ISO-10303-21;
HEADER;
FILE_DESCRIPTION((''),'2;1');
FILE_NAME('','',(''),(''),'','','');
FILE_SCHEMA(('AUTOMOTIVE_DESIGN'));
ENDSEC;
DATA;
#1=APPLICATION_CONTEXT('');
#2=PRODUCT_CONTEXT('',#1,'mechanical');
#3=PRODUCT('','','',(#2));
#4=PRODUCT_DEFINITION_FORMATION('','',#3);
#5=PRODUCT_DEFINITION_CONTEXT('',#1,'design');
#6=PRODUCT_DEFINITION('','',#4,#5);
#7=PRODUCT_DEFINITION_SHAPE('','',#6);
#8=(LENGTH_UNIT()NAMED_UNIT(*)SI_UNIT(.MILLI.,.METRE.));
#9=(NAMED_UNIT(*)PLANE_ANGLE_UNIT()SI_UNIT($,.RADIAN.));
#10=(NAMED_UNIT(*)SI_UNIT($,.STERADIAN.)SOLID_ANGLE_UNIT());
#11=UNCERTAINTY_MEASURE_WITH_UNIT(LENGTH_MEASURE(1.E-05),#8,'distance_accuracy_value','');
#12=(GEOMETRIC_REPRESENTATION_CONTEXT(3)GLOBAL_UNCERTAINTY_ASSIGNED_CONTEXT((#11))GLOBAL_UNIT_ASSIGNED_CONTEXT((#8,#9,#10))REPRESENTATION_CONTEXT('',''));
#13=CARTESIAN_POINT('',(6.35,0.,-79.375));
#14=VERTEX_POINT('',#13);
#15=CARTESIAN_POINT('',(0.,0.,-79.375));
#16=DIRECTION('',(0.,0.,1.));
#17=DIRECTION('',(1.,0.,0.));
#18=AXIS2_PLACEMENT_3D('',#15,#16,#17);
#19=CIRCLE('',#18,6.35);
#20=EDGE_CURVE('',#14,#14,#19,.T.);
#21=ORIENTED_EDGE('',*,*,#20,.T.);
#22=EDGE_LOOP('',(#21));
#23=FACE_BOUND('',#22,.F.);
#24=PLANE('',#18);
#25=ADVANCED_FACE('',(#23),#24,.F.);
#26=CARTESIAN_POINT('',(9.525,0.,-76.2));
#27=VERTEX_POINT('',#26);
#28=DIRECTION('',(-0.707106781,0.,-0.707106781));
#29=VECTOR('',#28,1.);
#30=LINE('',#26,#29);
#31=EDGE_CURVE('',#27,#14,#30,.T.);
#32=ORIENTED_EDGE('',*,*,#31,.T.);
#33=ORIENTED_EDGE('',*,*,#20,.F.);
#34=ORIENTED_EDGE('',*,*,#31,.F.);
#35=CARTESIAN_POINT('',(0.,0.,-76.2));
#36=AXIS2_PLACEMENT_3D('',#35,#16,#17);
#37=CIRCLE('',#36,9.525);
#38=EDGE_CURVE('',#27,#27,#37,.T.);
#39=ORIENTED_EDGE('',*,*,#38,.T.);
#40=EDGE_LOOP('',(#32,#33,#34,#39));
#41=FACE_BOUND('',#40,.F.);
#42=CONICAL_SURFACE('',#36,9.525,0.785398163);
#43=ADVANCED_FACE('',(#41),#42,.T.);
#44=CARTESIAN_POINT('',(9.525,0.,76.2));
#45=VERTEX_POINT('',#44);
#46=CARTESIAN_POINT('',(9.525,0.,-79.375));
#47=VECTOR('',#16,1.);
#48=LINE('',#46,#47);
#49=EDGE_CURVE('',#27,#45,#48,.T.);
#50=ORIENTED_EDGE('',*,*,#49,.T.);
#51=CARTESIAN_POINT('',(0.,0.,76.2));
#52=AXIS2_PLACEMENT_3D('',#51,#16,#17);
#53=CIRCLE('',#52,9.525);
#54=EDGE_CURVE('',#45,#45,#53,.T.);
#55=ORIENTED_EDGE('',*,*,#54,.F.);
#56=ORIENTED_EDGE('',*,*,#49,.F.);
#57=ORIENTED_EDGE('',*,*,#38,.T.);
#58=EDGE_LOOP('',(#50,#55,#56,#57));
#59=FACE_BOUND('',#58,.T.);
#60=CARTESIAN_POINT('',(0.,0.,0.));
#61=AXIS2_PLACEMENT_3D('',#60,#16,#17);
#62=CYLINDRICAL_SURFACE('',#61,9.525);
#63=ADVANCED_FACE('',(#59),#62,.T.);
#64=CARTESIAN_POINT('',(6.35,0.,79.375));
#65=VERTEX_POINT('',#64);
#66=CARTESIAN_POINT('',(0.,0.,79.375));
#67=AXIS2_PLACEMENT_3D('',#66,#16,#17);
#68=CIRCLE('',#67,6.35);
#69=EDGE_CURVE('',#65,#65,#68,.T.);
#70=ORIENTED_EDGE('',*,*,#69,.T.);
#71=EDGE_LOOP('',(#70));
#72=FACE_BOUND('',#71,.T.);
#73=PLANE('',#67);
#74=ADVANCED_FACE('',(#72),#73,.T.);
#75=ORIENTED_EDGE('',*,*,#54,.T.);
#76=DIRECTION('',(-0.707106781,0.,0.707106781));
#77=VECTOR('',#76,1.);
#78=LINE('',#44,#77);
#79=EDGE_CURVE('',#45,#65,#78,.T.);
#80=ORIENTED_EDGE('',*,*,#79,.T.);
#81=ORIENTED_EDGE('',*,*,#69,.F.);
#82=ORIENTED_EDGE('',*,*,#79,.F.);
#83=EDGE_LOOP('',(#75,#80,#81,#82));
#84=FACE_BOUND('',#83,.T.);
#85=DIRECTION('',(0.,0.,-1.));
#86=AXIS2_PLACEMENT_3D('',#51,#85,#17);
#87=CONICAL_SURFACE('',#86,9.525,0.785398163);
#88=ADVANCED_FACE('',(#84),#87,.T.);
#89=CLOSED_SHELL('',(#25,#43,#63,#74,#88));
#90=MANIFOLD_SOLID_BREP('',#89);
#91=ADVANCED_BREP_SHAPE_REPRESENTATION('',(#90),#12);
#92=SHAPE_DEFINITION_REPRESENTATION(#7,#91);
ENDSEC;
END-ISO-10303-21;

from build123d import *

# Parameters (mm, degrees)
F0_R     = 9.525
F1_DEPTH = 79.375
F2_SIZE  = 3.175


with BuildPart() as f1:
    # F0 (on Top) → F1 (new body, symmetric)
    with BuildSketch(Plane.XY):
        Circle(F0_R)
    extrude(amount=F1_DEPTH, both=True)

    # F2
    f2_edges = [f1.edges().sort_by_distance(p)[0] for p in [
        (-9.525, 0, 79.375),
        (-9.525, 0, -79.375),
    ]]
    chamfer(f2_edges, length=F2_SIZE)


solid = f1.part
